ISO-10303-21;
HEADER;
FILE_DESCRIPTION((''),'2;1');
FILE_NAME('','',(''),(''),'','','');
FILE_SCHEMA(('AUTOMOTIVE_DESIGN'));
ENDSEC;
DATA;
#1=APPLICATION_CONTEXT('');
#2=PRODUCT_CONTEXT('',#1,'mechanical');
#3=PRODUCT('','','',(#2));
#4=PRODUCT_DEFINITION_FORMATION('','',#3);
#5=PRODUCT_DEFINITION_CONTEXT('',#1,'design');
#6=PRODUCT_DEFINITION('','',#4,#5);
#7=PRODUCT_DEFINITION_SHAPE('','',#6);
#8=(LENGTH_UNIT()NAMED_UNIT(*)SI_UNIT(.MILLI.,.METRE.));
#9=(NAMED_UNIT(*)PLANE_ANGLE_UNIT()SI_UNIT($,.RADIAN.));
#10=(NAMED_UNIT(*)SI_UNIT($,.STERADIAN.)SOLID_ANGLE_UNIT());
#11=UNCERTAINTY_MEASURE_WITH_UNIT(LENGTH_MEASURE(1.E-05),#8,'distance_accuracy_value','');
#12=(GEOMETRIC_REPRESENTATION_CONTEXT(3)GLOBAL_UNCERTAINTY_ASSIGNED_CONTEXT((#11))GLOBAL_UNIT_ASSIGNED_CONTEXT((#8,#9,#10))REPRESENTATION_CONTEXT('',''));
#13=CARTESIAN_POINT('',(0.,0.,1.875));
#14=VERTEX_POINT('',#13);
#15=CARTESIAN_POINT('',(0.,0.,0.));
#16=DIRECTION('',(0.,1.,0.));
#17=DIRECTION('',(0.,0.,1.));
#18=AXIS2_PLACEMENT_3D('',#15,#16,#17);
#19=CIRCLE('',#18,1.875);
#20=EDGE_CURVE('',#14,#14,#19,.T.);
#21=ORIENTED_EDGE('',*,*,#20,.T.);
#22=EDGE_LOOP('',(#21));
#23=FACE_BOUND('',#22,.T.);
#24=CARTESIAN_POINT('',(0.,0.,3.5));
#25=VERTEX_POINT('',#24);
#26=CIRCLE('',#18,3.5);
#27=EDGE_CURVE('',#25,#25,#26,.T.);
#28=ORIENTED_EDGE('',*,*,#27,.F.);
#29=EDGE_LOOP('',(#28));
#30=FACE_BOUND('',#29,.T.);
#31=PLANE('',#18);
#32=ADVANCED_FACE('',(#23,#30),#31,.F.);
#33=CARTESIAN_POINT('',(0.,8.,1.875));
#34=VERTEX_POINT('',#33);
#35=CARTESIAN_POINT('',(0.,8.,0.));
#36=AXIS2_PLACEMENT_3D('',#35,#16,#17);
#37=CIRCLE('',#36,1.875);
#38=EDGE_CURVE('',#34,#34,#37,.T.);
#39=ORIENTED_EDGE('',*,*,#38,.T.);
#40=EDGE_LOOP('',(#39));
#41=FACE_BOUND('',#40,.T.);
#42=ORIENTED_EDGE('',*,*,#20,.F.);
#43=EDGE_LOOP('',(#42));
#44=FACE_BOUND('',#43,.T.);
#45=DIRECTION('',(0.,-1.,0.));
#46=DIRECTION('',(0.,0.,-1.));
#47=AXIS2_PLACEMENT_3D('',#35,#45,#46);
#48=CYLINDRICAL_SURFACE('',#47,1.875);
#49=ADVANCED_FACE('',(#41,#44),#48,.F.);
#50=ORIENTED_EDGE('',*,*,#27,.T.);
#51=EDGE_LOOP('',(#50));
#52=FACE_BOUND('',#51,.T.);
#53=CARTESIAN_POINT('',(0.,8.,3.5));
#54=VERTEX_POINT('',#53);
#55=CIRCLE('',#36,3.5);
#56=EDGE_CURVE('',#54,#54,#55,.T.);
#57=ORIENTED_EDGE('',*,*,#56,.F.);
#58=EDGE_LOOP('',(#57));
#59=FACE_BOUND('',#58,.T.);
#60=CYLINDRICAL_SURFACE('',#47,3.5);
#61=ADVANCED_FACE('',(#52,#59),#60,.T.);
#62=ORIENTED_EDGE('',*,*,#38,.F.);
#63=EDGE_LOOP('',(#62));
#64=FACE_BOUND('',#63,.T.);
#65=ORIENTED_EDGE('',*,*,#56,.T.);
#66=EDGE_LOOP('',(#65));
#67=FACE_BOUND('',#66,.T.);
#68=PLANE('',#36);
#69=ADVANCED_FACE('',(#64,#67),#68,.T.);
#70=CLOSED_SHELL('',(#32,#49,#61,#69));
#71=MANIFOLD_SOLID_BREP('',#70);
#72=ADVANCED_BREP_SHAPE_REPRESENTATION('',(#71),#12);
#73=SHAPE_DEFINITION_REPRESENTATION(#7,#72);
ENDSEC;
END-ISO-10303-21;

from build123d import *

# Parameters (mm, degrees)
CROQUIS1_R              = 3.5
CROQUIS1_R_2            = 1.875
SALIENTE_EXTRUIR1_DEPTH = 8


with BuildPart() as part:
    # Croquis1 → Saliente-Extruir1 (new body)
    with BuildSketch(Plane(origin=(0, 0, 0), x_dir=(1, 0, 0), z_dir=(0, 1, 0))):
        with Locations(Location((0, 0, 0), (0, 0, 270))):
            Circle(CROQUIS1_R)
        with Locations(Location((0, 0, 0), (0, 0, 270))):
            Circle(CROQUIS1_R_2, mode=Mode.SUBTRACT)
    extrude(amount=SALIENTE_EXTRUIR1_DEPTH)


solid = part.part
